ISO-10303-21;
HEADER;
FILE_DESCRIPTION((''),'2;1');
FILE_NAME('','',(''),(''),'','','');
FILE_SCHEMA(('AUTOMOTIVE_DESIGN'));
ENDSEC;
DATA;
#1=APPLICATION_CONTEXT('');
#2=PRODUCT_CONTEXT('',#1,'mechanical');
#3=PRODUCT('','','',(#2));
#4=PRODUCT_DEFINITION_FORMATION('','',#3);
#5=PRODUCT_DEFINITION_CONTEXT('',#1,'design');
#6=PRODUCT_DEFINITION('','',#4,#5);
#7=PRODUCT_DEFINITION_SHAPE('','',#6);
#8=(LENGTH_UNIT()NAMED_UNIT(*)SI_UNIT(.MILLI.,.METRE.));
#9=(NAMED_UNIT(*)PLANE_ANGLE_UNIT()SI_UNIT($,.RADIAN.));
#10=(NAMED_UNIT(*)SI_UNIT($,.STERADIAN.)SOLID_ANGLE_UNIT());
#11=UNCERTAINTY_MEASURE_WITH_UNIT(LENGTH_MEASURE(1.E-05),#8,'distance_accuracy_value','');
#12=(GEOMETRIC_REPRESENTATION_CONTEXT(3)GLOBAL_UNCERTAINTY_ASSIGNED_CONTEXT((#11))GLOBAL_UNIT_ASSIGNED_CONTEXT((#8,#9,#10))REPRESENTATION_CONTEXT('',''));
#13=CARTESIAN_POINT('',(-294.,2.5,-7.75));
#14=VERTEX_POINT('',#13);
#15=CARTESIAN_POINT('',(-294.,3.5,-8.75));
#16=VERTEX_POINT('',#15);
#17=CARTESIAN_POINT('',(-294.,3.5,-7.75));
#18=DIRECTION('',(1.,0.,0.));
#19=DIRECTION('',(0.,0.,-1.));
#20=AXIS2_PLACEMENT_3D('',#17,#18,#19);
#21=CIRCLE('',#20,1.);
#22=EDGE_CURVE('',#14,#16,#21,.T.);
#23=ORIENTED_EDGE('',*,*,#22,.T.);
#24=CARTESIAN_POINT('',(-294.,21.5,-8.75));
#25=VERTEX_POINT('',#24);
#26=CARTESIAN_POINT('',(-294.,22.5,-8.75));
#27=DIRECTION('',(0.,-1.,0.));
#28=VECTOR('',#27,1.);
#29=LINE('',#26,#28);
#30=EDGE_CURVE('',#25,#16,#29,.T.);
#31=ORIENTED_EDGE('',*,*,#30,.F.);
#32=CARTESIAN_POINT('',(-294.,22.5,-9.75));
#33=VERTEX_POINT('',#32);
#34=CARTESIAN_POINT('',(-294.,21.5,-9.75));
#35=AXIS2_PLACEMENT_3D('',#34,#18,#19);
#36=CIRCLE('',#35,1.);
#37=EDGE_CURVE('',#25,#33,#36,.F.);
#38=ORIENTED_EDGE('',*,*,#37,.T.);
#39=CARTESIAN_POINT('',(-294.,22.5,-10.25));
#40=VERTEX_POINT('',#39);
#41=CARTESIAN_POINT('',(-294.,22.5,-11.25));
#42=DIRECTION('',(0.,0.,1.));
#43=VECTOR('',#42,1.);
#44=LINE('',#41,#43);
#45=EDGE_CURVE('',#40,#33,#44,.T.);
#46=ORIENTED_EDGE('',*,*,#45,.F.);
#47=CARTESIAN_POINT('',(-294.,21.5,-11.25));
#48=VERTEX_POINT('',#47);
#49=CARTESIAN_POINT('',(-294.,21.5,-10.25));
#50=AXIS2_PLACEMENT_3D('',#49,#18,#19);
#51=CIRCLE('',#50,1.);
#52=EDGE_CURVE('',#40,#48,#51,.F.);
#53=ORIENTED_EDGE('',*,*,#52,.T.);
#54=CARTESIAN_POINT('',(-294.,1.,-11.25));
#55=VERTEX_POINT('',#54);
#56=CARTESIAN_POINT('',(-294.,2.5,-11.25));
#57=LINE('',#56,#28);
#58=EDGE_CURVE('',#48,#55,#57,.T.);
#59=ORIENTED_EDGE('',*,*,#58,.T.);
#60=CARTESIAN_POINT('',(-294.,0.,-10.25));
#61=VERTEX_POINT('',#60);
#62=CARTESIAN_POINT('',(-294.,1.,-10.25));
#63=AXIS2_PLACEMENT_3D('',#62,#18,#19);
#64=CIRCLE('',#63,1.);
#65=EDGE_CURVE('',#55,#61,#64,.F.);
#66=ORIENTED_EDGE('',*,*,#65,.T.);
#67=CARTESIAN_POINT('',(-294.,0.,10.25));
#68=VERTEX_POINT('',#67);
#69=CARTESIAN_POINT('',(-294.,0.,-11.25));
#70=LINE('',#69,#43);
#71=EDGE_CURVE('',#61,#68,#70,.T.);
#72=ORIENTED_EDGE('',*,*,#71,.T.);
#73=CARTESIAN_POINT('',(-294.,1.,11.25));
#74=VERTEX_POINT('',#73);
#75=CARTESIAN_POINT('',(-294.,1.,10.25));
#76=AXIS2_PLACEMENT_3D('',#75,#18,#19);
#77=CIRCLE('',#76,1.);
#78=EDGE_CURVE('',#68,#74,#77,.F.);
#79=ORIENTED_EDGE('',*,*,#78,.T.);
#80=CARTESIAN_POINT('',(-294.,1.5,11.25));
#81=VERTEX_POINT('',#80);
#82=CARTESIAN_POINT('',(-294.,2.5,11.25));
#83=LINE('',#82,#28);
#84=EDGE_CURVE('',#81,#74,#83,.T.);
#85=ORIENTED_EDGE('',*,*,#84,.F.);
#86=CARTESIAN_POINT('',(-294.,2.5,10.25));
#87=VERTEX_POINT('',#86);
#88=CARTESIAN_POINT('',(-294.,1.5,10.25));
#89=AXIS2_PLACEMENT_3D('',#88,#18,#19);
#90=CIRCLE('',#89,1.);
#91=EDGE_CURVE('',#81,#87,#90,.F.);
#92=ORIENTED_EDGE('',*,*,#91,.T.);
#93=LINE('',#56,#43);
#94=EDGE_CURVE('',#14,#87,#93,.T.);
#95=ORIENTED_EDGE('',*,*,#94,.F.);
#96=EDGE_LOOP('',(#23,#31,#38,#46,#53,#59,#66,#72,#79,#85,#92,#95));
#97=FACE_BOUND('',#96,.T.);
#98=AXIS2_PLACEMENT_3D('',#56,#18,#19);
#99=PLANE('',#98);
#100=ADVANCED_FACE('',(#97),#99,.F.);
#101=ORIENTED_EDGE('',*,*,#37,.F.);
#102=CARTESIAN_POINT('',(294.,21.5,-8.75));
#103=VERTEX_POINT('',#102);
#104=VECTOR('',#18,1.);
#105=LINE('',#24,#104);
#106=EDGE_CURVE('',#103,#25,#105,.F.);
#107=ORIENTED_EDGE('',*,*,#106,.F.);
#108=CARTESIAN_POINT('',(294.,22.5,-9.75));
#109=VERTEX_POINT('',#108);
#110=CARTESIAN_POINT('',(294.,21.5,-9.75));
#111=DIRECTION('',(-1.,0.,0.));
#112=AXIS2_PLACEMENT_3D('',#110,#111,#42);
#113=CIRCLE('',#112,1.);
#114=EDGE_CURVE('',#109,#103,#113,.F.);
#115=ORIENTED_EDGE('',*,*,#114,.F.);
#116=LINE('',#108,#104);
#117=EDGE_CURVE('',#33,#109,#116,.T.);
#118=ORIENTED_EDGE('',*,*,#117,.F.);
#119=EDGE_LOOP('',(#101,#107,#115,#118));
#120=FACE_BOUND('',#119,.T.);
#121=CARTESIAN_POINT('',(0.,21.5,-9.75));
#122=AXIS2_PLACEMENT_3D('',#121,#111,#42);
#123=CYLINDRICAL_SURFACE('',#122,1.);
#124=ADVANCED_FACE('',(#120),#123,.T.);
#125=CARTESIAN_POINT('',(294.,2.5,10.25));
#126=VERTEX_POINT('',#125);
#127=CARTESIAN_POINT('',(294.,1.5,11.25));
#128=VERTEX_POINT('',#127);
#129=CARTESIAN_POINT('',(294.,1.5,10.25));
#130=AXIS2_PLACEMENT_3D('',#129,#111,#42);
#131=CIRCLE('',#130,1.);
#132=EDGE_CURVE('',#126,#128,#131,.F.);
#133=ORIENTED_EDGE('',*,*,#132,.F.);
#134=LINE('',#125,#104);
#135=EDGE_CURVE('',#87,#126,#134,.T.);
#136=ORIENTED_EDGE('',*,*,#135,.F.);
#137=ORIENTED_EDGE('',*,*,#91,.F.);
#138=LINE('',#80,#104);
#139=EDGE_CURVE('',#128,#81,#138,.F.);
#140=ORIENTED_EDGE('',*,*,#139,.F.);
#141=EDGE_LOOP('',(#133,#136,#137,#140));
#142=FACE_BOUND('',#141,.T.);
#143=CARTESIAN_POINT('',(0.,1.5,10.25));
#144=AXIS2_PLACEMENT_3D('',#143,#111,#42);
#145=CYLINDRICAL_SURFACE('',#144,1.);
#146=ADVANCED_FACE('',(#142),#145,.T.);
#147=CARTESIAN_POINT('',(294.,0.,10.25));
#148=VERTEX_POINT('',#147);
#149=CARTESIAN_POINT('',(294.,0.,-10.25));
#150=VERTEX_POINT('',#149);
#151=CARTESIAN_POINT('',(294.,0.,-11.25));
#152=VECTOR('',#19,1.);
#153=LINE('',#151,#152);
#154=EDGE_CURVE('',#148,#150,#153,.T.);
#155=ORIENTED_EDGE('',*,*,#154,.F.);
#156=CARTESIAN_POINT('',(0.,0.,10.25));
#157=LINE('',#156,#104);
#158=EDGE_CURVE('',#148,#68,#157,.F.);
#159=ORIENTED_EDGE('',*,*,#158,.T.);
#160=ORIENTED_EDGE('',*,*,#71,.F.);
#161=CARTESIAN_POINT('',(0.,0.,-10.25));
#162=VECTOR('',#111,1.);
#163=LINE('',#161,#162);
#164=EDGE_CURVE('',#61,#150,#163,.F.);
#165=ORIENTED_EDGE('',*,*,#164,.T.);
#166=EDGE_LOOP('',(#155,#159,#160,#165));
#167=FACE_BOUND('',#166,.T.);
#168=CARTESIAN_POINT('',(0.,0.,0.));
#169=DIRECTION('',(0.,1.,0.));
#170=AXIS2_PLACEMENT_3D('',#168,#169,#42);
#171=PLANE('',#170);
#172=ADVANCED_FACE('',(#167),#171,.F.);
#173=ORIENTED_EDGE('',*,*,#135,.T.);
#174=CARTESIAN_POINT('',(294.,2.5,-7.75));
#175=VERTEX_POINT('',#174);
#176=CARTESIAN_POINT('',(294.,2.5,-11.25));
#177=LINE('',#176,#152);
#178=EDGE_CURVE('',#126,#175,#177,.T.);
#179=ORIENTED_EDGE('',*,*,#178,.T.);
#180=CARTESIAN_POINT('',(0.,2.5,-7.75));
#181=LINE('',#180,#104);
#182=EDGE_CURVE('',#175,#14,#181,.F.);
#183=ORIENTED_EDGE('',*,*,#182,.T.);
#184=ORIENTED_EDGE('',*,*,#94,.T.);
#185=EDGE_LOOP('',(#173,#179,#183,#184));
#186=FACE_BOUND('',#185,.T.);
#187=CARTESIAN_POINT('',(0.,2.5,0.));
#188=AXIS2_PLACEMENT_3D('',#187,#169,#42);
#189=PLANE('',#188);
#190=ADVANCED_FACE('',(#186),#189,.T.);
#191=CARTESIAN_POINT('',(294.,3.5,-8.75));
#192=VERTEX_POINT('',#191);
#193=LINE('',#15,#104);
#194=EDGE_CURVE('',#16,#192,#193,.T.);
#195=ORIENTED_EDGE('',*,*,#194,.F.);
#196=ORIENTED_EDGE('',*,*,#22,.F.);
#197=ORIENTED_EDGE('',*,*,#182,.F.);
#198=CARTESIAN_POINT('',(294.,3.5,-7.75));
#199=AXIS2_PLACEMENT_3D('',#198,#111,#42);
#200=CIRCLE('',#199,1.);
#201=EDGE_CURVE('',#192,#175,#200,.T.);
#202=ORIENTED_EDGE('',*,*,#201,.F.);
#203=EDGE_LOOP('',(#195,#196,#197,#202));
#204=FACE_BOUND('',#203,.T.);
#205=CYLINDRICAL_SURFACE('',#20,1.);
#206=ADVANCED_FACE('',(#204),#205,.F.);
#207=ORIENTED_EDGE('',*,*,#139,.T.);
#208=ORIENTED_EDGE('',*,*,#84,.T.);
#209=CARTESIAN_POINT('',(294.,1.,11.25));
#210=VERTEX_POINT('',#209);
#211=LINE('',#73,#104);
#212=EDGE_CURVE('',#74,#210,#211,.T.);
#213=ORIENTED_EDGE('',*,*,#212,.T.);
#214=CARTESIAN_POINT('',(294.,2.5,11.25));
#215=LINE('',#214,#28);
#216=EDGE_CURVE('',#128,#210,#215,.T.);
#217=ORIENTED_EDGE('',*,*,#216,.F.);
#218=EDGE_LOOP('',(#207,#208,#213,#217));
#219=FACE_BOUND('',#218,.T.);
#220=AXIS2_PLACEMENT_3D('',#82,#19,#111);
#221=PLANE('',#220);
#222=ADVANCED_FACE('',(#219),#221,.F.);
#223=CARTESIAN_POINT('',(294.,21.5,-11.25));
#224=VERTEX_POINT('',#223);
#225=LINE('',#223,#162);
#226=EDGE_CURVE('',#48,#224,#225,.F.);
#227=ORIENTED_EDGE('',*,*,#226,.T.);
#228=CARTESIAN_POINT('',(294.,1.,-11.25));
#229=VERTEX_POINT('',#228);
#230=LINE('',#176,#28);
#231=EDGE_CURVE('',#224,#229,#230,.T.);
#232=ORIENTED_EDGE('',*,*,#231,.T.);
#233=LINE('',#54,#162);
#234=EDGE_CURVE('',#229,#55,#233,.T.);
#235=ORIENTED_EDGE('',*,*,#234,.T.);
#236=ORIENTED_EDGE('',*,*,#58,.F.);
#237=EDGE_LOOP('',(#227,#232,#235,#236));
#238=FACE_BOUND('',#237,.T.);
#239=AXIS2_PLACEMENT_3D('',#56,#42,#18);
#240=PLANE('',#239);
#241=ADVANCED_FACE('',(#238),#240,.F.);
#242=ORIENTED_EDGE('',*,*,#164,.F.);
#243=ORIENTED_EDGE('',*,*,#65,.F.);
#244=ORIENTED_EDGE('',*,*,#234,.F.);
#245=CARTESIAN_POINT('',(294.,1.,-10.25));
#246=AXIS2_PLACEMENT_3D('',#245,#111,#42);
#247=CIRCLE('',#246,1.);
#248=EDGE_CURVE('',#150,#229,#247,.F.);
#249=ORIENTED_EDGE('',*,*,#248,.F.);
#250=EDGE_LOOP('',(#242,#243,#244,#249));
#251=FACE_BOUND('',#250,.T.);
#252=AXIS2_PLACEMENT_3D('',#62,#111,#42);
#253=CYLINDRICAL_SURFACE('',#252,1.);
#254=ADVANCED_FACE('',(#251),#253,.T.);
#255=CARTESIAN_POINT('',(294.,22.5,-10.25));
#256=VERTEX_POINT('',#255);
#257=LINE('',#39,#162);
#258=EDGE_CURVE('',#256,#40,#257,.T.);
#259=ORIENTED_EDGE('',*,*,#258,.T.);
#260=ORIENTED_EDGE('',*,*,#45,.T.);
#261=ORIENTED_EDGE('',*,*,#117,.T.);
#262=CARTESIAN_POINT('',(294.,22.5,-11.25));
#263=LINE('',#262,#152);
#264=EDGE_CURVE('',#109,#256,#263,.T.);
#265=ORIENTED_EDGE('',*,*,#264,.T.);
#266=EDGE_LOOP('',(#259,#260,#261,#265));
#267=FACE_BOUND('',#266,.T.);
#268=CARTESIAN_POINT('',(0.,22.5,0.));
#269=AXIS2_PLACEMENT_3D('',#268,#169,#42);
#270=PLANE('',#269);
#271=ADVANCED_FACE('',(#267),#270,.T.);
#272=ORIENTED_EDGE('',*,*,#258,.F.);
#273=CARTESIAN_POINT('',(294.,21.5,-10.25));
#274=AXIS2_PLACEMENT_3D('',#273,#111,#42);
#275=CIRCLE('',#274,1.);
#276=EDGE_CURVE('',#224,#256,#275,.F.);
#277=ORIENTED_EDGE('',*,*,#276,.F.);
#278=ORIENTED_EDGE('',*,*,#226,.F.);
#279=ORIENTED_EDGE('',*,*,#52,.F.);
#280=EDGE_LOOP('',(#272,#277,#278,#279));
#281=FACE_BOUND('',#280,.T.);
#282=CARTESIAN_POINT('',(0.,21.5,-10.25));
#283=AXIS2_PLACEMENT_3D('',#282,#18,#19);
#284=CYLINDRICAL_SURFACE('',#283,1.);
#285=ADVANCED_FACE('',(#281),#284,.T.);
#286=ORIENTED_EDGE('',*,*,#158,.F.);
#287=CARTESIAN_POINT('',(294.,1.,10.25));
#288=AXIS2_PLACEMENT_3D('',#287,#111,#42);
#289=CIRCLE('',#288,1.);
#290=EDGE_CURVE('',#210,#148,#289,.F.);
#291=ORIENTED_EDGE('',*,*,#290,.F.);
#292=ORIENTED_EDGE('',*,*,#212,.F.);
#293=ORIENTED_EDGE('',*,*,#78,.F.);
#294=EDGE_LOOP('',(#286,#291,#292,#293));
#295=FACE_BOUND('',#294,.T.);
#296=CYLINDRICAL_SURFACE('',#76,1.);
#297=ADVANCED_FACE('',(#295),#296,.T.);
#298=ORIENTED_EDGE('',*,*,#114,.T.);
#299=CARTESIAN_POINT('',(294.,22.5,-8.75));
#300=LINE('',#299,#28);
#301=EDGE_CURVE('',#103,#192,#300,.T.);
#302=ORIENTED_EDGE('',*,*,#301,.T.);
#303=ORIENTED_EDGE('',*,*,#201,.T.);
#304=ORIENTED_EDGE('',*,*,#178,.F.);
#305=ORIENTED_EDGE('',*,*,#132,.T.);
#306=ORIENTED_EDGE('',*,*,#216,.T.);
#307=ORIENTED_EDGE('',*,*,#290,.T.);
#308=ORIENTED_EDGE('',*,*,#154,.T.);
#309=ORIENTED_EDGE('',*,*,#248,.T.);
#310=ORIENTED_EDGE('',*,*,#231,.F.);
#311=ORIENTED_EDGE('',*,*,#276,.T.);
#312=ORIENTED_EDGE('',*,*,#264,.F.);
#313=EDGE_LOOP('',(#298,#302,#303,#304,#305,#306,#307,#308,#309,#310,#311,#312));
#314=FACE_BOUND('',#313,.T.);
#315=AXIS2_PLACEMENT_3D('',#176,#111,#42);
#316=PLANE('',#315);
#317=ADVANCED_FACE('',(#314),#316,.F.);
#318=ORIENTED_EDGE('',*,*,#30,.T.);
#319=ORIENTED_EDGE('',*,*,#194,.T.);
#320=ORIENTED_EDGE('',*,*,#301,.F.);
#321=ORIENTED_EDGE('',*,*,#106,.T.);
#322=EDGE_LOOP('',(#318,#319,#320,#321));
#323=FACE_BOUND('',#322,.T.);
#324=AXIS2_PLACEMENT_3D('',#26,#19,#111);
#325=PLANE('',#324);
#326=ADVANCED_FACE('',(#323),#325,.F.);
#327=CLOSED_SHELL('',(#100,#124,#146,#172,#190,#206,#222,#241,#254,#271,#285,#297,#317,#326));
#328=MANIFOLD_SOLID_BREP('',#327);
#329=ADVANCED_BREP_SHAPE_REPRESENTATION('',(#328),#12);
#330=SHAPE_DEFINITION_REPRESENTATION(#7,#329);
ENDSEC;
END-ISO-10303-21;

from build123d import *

# Parameters (mm, degrees)
SKETCH1_W           = 588
SKETCH1_H           = 22.5
BOSS_EXTRUDE1_DEPTH = 2.5
SKETCH2_W           = 588
SKETCH2_H           = 2.5
BOSS_EXTRUDE2_DEPTH = 20
FILLET1_R           = 1


with BuildPart() as part:
    # Sketch1 → Boss-Extrude1 (new body)
    with BuildSketch(Plane(origin=(0, 0, 0), x_dir=(1, 0, 0), z_dir=(0, 1, 0))):
        Rectangle(SKETCH1_W, SKETCH1_H)
    extrude(amount=BOSS_EXTRUDE1_DEPTH)

    # Sketch2 → Boss-Extrude2 (add)
    with BuildSketch(Plane(origin=(0, 2.5, 0), x_dir=(1, 0, 0), z_dir=(0, 1, 0))):
        with Locations((0, 10)):
            Rectangle(SKETCH2_W, SKETCH2_H)
    extrude(amount=BOSS_EXTRUDE2_DEPTH)

    # Fillet1
    fillet1_edges = [part.edges().sort_by_distance(p)[0] for p in [
        (0, 2.5, 11.25),
        (0, 2.5, -8.75),
        (0, 22.5, -8.75),
        (0, 22.5, -11.25),
        (0, 0, 11.25),
        (0, 0, -11.25),
    ]]
    fillet(fillet1_edges, radius=FILLET1_R)


solid = part.part
